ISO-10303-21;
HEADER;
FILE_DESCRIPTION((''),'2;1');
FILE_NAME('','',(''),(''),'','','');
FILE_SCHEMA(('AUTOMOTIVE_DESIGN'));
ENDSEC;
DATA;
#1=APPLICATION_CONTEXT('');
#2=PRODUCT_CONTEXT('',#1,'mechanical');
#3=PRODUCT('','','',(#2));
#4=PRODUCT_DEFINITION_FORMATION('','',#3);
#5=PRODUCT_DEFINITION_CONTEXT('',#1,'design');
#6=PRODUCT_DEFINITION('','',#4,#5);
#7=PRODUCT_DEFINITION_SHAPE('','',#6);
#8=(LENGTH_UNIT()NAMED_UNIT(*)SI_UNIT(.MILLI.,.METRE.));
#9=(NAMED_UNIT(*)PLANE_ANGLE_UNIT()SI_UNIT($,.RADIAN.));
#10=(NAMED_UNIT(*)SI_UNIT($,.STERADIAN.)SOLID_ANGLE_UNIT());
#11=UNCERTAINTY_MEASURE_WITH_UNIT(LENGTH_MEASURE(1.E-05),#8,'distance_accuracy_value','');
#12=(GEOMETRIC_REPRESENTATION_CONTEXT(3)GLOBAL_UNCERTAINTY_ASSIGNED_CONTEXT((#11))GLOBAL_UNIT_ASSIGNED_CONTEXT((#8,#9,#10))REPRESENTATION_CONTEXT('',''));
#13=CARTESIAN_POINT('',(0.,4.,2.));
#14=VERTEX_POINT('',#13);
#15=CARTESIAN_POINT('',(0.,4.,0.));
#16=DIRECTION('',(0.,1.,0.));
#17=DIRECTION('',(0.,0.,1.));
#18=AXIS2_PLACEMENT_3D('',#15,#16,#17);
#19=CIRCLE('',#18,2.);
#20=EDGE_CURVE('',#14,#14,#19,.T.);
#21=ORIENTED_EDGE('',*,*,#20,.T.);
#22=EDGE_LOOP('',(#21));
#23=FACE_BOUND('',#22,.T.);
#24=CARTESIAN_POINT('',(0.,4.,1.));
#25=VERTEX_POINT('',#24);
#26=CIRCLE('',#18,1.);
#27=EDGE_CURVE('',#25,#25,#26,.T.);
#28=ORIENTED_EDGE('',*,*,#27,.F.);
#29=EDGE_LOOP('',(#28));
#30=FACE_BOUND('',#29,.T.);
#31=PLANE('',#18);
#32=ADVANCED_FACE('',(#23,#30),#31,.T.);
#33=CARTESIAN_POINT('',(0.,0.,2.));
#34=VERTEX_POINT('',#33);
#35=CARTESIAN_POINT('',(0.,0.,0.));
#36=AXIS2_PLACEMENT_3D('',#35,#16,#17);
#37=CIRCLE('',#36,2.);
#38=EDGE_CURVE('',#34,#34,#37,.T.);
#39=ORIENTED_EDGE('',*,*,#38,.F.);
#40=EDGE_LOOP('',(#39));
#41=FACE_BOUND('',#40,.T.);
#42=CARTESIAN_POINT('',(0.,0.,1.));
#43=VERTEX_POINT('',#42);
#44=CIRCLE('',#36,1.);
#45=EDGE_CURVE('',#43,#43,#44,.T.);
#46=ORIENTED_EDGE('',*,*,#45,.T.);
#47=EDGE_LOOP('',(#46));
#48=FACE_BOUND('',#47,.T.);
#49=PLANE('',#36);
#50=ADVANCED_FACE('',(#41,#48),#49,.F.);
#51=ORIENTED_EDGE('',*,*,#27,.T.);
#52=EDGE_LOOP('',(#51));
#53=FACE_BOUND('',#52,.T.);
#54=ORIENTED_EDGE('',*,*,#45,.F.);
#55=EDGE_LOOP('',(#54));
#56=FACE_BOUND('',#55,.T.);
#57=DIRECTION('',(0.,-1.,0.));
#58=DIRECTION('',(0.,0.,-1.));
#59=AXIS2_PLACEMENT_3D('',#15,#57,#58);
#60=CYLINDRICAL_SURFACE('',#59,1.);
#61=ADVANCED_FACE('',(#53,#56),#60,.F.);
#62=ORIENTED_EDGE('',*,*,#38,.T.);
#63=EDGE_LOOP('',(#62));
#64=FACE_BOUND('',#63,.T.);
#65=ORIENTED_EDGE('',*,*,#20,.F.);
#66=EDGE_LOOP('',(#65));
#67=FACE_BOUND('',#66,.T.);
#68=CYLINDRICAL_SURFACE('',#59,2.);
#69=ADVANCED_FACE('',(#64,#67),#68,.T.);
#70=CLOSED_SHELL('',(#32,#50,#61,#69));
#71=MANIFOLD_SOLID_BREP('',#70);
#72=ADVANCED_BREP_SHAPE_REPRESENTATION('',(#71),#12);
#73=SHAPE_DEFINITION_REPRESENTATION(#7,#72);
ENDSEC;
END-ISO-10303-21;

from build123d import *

# Parameters (mm, degrees)
SKETCH_1_R      = 2
SKETCH_1_R_2    = 1
EXTRUDE_1_DEPTH = 4


with BuildPart() as part:
    # 草图1 → 凸台-拉伸1 (new body)
    with BuildSketch(Plane(origin=(0, 0, 0), x_dir=(1, 0, 0), z_dir=(0, 1, 0))):
        with Locations(Location((0, 0, 0), (0, 0, 270))):
            Circle(SKETCH_1_R)
        with Locations(Location((0, 0, 0), (0, 0, 270))):
            Circle(SKETCH_1_R_2, mode=Mode.SUBTRACT)
    extrude(amount=EXTRUDE_1_DEPTH)


solid = part.part
